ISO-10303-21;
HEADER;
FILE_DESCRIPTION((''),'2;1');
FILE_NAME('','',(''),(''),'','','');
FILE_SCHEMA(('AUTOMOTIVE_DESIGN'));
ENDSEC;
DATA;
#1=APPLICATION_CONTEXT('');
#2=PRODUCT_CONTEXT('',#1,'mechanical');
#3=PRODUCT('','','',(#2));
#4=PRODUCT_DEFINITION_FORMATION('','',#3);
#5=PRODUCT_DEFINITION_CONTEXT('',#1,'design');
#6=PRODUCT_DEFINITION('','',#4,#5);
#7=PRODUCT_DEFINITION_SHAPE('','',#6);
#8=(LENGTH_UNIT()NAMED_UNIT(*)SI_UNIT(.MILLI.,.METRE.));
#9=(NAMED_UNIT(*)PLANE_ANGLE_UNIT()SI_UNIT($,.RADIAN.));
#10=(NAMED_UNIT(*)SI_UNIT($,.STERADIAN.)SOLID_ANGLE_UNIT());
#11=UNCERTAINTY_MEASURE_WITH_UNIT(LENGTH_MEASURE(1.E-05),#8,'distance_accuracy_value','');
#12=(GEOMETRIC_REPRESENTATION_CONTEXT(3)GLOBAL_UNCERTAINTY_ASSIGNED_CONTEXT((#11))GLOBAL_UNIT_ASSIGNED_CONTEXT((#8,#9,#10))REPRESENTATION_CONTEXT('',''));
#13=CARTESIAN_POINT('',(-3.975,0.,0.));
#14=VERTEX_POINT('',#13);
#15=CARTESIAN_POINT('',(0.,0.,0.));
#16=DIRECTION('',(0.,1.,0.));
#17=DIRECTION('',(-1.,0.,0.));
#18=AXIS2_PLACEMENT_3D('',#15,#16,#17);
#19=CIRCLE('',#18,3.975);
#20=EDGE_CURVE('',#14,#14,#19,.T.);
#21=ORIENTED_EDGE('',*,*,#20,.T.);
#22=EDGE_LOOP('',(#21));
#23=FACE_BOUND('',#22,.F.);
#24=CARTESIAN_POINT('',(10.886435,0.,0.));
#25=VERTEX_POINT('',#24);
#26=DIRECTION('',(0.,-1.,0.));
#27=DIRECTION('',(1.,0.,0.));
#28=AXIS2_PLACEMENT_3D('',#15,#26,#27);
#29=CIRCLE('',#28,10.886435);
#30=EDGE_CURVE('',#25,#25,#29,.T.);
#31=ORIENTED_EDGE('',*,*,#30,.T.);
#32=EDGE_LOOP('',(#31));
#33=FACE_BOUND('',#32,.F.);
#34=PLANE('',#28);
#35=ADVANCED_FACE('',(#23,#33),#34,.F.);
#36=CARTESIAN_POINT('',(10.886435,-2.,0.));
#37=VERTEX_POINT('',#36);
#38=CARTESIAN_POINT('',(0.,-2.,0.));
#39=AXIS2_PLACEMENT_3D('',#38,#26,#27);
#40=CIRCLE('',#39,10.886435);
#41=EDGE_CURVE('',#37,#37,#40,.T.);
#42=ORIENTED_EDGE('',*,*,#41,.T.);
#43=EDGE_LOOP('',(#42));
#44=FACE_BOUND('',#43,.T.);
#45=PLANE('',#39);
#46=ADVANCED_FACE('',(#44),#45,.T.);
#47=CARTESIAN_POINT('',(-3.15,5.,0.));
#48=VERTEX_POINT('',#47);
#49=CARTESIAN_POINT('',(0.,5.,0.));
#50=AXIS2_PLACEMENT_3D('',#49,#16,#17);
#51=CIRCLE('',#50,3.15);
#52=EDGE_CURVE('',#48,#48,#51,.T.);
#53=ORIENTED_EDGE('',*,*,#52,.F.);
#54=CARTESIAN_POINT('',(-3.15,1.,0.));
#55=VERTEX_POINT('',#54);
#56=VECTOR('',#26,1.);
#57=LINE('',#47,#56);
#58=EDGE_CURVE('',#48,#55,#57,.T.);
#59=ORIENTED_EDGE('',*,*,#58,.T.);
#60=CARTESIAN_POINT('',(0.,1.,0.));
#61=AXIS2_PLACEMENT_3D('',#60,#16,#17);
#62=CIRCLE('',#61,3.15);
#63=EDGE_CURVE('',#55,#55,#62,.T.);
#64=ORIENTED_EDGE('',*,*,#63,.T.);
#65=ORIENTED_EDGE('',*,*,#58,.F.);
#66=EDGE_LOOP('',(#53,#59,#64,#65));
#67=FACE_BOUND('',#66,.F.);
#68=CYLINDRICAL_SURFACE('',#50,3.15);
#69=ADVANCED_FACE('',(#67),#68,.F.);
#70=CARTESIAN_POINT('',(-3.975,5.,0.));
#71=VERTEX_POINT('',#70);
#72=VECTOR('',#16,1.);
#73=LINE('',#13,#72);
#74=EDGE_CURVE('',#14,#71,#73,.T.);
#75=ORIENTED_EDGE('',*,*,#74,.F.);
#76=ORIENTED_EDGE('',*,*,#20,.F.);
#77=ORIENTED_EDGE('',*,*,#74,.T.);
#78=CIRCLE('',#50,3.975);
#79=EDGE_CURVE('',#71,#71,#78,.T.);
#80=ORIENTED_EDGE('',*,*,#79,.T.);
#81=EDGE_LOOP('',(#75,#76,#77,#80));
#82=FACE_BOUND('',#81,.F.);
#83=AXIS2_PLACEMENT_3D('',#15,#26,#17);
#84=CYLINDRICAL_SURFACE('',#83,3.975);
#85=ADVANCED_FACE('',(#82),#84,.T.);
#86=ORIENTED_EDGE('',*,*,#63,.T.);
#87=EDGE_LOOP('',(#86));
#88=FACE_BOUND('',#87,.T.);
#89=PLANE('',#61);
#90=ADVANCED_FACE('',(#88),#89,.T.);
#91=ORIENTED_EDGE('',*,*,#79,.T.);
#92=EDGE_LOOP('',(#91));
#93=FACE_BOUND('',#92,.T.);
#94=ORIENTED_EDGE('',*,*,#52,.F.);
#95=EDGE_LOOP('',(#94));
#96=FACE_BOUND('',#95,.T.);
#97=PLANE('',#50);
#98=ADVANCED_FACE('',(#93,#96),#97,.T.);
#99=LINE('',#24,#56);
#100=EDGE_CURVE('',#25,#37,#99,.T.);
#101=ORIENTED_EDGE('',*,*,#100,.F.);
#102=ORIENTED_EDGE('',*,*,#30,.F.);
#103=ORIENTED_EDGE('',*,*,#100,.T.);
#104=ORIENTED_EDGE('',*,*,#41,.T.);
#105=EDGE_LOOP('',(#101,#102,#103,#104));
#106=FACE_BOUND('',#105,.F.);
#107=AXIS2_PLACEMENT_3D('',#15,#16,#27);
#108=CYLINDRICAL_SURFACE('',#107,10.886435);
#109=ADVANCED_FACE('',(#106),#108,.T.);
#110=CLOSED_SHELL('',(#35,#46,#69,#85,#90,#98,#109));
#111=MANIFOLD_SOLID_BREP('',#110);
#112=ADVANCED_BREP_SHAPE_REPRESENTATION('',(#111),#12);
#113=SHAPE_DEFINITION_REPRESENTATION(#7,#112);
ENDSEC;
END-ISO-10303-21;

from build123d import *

# Parameters (mm, degrees)
F0_R     = 10.886435
F1_DEPTH = 2
F2_R     = 3.975
F3_DEPTH = 5
F4_R     = 3.15
F5_DEPTH = 4


with BuildPart() as f1:
    # F0 (on Front) → F1 (new body)
    with BuildSketch(Plane.XZ):
        Circle(F0_R)
    extrude(amount=F1_DEPTH)

    # F2 (on face) → F3 (join)
    with BuildSketch(Plane(origin=(0, 0, 0), x_dir=(-1, 0, 0), z_dir=(0, 1, 0))):
        Circle(F2_R)
    extrude(amount=F3_DEPTH)

    # F4 (on face) → F5 (cut)
    with BuildSketch(Plane(origin=(0, 5, 0), x_dir=(-1, 0, 0), z_dir=(0, 1, 0))):
        Circle(F4_R)
    extrude(amount=-F5_DEPTH, mode=Mode.SUBTRACT)


solid = f1.part
